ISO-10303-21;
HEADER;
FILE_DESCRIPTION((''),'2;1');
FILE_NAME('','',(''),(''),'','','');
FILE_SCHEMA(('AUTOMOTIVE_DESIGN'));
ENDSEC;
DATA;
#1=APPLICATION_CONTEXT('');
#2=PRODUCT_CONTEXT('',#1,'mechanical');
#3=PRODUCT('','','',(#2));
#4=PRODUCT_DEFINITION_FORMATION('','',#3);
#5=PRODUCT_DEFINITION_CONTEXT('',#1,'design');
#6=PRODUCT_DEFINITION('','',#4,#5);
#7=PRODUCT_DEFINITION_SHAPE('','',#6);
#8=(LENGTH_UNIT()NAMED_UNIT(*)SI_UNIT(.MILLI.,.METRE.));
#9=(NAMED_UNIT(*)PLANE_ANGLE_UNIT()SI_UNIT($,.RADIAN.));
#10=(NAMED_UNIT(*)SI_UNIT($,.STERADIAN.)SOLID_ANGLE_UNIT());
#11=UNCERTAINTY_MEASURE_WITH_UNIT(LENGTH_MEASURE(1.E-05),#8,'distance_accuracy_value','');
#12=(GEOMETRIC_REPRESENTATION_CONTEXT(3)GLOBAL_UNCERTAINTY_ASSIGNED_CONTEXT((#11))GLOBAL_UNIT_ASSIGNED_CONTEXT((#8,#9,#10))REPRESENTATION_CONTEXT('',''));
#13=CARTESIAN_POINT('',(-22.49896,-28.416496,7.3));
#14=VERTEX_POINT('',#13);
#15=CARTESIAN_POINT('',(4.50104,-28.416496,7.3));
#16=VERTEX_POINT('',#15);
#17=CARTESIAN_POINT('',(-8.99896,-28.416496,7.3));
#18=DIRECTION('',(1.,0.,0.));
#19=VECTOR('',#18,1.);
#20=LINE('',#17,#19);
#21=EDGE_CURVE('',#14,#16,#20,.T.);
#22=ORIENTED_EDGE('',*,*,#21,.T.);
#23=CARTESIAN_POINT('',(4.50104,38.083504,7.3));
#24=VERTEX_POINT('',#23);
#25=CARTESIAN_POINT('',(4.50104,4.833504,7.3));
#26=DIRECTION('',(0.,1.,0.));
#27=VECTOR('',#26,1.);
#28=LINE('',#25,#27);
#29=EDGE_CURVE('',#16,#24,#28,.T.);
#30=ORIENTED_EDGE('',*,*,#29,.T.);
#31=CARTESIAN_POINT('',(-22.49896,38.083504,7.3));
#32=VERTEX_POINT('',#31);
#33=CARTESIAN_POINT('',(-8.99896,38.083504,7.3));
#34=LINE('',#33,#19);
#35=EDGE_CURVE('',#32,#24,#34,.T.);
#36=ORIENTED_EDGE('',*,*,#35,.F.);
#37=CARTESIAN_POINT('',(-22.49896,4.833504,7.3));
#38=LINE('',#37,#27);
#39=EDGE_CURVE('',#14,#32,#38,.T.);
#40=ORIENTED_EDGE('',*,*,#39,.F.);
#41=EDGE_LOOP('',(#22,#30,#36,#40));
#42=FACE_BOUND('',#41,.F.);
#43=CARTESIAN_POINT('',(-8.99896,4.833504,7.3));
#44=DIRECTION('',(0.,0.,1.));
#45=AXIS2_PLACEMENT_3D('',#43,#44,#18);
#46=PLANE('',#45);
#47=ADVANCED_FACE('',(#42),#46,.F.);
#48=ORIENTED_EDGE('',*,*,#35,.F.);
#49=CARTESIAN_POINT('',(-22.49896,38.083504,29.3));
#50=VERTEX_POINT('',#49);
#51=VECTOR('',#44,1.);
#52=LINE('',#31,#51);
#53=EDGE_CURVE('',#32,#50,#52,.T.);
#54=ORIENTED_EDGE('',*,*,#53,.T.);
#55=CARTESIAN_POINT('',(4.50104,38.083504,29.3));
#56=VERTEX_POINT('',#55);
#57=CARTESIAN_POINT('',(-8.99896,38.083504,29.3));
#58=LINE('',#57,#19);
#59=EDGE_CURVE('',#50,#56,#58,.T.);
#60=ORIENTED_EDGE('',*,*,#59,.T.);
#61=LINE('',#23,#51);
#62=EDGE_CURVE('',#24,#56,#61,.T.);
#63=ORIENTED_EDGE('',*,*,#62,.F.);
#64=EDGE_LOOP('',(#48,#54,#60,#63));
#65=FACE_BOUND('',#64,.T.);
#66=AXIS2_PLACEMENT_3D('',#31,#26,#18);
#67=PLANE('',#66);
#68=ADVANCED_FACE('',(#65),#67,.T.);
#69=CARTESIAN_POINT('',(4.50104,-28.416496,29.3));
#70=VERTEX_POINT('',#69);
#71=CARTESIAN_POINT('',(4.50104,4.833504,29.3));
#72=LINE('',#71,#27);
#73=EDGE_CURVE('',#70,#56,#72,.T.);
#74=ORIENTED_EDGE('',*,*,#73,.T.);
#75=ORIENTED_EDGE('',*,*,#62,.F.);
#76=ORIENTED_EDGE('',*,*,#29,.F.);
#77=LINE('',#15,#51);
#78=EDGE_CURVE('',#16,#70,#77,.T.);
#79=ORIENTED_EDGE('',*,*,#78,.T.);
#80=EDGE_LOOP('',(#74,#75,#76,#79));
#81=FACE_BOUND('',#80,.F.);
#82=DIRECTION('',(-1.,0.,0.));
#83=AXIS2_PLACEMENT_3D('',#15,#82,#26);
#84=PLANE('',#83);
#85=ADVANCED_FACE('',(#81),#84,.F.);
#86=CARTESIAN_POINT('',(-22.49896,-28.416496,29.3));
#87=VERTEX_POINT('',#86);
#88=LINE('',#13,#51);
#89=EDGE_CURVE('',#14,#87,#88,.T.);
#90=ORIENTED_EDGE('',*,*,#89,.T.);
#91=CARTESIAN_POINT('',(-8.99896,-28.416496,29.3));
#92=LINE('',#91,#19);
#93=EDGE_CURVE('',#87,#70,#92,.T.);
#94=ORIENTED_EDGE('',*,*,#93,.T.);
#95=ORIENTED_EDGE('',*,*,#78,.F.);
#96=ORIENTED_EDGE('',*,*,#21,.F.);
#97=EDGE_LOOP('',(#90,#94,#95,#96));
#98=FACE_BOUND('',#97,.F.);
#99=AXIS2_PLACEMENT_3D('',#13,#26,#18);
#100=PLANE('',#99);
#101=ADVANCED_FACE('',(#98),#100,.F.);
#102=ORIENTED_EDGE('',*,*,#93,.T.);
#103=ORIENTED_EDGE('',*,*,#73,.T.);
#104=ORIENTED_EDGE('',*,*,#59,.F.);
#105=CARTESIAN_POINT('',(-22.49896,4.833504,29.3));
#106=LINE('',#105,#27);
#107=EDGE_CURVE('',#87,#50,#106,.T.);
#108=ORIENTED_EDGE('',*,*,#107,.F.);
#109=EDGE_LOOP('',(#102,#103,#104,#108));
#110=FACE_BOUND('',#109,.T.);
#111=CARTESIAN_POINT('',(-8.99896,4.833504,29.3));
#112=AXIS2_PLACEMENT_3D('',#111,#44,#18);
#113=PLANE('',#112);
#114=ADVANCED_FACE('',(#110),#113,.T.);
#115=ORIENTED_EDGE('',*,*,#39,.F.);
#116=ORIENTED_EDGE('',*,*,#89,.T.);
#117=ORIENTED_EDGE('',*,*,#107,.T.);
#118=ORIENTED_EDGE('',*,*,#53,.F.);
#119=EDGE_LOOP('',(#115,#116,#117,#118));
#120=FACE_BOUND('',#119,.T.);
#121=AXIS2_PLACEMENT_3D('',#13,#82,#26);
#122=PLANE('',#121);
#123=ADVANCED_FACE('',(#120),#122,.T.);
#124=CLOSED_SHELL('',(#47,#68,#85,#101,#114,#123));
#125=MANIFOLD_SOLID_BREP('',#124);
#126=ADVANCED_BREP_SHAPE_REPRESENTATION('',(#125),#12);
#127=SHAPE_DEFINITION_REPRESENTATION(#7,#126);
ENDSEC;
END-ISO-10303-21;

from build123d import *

# Parameters (mm, degrees)
F0_W     = 27
F0_H     = 66.5
F1_DEPTH = 22


with BuildPart() as f1:
    # F0 (on Top) → F1 (new body)
    with BuildSketch(Plane.XY):
        with Locations((-8.99896, 4.833504)):
            Rectangle(F0_W, F0_H)
    extrude(amount=F1_DEPTH)


with BuildPart() as f1_1:
    # F2: moved
    add(f1.part.moved(Location((0, 0, 7.3))))


solid = f1_1.part
